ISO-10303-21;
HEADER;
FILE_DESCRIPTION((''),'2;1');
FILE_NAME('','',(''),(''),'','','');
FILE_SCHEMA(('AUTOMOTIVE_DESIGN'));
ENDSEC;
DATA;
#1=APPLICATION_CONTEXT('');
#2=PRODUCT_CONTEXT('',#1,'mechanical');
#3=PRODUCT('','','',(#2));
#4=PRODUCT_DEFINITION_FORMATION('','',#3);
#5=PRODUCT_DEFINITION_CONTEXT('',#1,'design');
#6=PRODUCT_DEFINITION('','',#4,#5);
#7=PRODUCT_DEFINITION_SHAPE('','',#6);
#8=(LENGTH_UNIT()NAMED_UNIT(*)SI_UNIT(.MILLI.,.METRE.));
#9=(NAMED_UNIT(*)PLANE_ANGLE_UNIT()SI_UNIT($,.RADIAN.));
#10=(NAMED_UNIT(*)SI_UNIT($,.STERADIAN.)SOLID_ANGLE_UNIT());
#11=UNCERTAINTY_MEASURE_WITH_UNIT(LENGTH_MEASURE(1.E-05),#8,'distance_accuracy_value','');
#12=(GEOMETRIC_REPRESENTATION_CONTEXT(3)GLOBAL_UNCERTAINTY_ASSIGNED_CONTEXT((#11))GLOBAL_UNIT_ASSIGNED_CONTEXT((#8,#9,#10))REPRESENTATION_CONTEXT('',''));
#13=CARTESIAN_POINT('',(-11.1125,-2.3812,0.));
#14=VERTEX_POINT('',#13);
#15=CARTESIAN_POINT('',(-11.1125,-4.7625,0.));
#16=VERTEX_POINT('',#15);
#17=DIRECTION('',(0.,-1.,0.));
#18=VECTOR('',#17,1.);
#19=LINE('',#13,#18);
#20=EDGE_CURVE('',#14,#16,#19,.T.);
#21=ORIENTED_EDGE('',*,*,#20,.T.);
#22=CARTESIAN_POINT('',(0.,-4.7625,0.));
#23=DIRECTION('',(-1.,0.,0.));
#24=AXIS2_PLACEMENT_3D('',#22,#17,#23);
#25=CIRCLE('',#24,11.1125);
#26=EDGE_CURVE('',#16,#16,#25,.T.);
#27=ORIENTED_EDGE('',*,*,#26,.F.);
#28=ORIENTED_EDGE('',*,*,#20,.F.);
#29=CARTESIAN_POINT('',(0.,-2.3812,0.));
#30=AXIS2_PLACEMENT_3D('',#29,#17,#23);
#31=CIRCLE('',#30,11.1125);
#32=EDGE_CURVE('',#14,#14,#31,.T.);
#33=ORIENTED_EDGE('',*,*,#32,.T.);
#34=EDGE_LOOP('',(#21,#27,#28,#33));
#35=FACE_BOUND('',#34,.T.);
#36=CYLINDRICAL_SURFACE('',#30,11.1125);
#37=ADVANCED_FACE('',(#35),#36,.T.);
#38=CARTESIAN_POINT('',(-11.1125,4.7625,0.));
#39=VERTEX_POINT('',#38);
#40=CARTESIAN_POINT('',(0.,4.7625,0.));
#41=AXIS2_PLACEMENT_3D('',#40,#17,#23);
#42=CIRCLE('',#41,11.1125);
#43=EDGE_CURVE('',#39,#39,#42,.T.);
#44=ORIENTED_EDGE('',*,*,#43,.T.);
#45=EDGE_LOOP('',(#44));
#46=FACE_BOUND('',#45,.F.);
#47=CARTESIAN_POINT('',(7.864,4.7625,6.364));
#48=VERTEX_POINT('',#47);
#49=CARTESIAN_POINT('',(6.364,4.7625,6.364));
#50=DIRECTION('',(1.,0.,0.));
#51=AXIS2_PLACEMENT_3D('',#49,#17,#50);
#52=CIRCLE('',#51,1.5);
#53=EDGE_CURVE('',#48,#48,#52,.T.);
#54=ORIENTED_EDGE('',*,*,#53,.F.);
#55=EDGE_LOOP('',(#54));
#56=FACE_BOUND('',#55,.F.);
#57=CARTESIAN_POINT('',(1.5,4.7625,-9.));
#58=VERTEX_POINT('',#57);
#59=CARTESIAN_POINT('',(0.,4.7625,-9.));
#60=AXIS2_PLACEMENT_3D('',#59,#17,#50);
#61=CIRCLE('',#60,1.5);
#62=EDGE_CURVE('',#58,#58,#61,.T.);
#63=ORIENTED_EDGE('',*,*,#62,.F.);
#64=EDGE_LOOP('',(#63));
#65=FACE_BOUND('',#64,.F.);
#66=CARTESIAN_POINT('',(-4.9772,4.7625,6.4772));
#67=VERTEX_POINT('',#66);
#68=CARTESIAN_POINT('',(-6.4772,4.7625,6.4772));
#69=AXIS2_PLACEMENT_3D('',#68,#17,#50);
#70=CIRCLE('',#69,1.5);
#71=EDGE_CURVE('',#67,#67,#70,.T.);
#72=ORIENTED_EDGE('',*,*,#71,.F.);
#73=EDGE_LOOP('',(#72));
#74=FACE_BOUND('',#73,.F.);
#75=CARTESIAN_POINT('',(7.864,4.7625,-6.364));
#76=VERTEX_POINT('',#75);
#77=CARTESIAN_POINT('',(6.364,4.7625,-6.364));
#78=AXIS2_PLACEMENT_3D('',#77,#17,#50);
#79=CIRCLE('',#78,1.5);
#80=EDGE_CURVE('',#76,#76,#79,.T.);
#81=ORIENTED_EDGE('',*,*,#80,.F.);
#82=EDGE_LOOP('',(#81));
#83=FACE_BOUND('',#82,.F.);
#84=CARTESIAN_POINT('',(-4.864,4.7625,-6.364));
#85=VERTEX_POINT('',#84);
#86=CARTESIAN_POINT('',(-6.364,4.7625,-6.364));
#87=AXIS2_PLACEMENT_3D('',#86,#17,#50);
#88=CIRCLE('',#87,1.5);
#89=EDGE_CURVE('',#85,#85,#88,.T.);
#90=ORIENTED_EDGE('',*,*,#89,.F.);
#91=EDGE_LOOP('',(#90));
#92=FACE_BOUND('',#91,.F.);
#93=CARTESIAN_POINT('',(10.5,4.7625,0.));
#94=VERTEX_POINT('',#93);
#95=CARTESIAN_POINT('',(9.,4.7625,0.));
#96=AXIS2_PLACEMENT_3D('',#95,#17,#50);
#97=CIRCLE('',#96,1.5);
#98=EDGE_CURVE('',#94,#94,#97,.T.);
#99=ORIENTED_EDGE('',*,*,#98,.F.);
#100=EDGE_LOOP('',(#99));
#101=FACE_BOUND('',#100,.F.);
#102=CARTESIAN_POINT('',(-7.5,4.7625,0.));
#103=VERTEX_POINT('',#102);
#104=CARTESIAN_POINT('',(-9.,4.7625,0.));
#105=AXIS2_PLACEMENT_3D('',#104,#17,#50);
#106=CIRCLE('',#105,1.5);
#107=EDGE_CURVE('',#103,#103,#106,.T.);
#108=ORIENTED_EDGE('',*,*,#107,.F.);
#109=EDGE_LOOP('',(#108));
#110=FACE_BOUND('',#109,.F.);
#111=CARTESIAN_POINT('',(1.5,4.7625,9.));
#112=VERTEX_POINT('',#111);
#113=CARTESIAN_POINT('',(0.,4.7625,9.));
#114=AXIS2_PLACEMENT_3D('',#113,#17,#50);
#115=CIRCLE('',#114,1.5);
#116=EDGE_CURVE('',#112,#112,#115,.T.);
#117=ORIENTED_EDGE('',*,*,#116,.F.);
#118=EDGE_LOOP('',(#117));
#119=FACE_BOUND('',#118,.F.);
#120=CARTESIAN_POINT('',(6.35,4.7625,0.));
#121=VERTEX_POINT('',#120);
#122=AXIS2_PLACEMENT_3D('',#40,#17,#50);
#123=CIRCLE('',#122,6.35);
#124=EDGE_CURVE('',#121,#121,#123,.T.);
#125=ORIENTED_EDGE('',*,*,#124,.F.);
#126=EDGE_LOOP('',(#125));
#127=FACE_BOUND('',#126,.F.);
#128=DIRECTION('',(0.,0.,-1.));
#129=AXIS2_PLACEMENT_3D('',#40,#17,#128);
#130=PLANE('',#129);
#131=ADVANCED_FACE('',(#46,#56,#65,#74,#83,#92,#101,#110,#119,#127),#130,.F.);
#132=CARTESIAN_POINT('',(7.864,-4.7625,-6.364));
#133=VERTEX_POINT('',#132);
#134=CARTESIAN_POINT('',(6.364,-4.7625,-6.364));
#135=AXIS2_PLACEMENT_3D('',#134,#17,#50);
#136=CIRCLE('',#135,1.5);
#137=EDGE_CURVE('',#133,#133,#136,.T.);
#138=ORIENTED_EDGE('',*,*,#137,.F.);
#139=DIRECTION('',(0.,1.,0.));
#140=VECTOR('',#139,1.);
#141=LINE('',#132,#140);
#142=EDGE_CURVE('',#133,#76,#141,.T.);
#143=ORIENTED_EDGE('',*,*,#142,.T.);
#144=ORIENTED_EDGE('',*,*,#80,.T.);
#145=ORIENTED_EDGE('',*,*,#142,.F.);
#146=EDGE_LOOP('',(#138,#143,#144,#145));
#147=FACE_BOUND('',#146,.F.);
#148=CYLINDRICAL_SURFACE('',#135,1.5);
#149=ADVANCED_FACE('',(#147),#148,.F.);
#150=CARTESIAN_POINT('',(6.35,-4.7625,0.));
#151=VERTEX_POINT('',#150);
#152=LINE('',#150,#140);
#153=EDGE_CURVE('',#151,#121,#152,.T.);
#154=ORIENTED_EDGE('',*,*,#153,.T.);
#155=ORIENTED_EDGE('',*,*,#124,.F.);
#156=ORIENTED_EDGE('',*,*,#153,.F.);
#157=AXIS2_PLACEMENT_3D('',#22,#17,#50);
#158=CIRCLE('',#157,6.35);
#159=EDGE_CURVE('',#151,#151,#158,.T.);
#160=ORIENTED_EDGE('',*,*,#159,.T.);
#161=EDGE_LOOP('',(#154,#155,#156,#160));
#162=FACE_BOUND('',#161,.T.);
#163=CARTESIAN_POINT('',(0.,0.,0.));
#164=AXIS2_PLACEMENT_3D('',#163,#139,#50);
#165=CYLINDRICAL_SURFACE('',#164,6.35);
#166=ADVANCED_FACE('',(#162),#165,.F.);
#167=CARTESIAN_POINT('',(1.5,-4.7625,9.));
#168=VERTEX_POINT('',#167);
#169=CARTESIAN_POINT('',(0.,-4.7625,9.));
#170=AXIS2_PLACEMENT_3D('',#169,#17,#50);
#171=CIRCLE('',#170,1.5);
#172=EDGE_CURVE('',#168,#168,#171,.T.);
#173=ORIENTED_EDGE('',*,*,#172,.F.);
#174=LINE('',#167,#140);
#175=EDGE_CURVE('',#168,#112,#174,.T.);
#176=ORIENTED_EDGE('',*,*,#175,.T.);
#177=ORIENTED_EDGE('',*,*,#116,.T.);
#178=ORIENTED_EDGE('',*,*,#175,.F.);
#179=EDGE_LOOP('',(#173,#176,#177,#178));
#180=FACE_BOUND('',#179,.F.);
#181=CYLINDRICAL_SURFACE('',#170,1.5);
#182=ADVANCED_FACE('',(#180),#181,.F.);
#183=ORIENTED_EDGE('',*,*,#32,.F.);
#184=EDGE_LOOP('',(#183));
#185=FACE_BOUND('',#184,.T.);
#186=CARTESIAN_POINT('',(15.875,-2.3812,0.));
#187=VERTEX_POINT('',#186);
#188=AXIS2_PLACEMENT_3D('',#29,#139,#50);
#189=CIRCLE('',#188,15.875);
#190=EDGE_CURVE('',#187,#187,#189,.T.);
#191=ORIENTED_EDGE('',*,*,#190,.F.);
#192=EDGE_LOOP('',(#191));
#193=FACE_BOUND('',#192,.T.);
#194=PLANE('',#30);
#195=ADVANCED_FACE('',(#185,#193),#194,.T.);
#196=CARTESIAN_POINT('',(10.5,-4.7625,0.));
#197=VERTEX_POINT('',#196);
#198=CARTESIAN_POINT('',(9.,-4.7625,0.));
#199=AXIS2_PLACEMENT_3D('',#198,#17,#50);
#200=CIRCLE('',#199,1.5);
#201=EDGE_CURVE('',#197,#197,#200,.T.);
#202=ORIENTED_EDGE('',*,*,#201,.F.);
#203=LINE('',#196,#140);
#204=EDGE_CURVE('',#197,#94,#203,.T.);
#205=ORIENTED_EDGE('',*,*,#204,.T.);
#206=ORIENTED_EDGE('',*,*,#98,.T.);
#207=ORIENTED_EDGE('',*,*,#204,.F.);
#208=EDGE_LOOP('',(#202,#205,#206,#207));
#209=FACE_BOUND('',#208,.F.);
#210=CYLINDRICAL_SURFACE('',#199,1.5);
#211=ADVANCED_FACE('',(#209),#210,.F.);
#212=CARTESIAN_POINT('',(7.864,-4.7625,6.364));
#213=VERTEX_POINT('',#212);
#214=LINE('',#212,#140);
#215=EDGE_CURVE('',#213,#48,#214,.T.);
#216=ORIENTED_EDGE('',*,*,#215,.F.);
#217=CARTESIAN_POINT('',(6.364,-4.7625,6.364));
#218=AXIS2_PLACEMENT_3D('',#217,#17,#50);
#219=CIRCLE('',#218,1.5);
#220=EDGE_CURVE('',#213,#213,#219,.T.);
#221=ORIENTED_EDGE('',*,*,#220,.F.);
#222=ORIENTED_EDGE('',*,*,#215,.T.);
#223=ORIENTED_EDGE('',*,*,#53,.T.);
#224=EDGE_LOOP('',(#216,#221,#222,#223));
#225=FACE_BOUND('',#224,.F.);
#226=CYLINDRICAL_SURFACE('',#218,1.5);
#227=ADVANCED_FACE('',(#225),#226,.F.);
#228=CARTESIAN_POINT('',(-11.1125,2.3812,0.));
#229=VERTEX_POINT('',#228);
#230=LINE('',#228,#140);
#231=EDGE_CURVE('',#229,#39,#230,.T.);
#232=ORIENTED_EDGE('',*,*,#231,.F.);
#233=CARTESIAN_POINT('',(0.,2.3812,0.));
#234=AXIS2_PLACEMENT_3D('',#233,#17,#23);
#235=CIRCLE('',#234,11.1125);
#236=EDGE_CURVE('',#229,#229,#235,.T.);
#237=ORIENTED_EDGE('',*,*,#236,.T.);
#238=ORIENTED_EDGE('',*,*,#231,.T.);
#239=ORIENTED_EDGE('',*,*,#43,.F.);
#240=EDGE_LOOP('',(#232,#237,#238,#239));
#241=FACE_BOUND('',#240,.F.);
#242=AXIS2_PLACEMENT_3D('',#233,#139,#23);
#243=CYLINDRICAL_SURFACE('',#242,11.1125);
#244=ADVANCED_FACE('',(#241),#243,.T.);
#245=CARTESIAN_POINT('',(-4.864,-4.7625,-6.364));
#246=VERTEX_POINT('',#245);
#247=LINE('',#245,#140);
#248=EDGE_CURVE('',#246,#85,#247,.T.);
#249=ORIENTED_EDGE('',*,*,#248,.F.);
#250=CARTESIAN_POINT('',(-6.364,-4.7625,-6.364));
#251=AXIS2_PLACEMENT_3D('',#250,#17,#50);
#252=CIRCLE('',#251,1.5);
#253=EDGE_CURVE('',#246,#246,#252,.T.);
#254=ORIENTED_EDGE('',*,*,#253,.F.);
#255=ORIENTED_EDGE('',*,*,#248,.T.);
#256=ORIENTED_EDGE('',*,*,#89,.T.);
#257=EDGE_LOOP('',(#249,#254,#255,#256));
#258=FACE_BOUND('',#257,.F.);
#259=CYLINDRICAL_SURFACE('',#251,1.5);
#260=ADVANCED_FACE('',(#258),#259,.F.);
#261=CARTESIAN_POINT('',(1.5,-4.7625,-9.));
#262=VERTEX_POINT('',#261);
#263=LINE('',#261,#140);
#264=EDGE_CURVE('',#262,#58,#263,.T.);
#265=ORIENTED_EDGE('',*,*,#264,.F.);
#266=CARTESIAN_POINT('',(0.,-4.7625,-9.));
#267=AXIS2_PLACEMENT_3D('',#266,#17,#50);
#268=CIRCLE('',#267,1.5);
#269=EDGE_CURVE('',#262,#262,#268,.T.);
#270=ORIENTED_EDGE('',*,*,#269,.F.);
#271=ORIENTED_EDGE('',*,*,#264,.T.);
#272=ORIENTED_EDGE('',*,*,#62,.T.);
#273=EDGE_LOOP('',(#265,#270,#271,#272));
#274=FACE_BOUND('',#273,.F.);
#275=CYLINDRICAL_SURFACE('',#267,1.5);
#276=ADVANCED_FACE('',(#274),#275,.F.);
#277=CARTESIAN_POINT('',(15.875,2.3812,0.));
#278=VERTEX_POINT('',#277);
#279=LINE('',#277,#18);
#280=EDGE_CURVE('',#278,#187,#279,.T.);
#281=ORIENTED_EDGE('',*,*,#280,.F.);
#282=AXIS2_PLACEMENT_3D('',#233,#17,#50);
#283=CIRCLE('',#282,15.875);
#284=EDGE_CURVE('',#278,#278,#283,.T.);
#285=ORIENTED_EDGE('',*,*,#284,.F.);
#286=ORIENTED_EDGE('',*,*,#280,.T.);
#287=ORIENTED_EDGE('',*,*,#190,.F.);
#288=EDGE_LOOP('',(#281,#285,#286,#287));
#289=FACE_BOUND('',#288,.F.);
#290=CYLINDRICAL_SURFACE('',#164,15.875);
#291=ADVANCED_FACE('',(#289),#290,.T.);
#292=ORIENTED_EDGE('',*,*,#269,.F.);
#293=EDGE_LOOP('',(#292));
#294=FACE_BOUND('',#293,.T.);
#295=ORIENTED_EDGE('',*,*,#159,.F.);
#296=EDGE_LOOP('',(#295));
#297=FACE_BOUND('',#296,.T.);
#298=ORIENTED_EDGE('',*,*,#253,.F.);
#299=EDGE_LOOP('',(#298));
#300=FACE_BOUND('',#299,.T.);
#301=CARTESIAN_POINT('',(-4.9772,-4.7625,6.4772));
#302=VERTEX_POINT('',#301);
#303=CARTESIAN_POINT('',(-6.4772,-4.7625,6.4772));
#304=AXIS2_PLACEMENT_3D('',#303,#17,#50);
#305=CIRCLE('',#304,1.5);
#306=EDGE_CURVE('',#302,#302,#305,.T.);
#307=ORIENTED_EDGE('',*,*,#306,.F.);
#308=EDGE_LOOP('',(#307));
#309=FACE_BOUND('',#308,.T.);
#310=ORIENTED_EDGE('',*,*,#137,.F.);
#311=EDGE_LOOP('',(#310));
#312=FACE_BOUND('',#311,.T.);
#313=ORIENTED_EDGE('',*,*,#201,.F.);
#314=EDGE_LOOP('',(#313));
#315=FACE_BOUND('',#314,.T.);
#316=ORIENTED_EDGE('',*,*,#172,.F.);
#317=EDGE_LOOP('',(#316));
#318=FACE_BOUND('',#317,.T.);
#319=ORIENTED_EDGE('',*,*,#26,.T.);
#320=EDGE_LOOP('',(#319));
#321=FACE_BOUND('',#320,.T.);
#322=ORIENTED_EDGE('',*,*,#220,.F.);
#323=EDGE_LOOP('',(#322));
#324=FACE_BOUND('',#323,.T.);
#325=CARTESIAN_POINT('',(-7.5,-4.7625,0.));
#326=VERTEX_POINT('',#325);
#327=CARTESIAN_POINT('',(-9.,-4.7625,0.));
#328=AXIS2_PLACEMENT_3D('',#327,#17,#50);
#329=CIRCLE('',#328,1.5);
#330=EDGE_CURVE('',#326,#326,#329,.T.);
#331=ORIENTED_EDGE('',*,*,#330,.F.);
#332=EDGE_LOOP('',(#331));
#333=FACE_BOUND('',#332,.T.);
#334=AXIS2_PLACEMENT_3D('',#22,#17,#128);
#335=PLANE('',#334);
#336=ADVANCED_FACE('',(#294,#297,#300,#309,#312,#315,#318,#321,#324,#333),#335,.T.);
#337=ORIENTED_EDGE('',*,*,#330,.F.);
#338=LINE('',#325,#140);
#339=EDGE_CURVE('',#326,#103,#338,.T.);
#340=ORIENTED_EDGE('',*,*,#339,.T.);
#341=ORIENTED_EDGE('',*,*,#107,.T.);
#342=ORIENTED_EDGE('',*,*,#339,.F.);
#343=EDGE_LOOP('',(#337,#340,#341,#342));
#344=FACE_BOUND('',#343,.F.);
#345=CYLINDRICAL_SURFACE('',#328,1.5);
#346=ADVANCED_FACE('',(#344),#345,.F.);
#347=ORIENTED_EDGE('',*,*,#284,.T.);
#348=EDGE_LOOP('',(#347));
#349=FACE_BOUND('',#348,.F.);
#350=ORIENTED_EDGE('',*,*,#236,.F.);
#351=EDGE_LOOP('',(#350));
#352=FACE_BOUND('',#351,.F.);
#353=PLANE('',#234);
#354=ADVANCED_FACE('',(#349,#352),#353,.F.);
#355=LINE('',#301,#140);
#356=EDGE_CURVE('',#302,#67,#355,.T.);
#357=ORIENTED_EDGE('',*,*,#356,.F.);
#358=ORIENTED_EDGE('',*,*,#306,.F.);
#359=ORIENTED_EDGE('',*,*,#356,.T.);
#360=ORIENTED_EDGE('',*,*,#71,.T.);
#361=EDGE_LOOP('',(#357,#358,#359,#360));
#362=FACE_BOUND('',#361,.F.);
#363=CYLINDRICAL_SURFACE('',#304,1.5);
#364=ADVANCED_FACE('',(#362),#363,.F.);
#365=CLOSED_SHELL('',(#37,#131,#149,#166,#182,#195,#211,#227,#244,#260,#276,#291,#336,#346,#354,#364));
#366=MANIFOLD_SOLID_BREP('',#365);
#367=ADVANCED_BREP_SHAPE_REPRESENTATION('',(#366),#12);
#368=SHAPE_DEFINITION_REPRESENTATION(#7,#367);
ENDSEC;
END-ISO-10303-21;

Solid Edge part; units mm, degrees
sketch "Sketch1" plane through (0, 0, 0) normal (0, -1, 0) x (1, 0, 0)
  circle A0 centre (0, 0) radius 6.35
  circle A1 centre (0, 0) radius 15.875
extrude "Protrusion1" add sketch "Sketch1" along normal mid plane 9.525
sketch "Sketch2" plane through (0, -4.7625, 0) normal (0, -1, 0) x (1, 0, 0)
  circle A0 centre (0, 9) radius 1.5
  circle A1 centre (9, 0) radius 1.5
  circle A2 centre (0, -9) radius 1.5
  circle A3 centre (-9, 0) radius 1.5
  circle A4 centre (-6.4772, 6.4772) radius 1.5
  circle A5 centre (6.364, 6.364) radius 1.5
  circle A6 centre (6.364, -6.364) radius 1.5
  circle A7 centre (-6.364, -6.364) radius 1.5
extrude "Cutout1" cut sketch "Sketch2" against normal up to surface (9.525 mm away)
sketch "Sketch3" plane through (0, 0, 0) normal (0, 0, 1) x (1, 0, 0)
  line L0 (-15.875, -2.3812) -> (-11.1125, -2.3812)
  line L1 (-11.1125, -2.3812) -> (-11.1125, -4.7625)
  line L2 (-11.1125, -4.7625) -> (-15.875, -4.7625)
  line L3 (-15.875, -4.7625) -> (-15.875, -2.3812)
  line L4 (-15.875, 2.3812) -> (-11.1125, 2.3812)
  line L5 (-11.1125, 2.3812) -> (-11.1125, 4.7625)
  line L6 (-11.1125, 4.7625) -> (-15.875, 4.7625)
  line L7 (-15.875, 4.7625) -> (-15.875, 2.3812)
  dimension "D1" = 4.7625
  dimension "D2" = 2.3812
revolve "RevolvedCutout1" cut sketch "Sketch3" angle 360 about axis through (0, 54.0067, 0) along (0, -1, 0)
